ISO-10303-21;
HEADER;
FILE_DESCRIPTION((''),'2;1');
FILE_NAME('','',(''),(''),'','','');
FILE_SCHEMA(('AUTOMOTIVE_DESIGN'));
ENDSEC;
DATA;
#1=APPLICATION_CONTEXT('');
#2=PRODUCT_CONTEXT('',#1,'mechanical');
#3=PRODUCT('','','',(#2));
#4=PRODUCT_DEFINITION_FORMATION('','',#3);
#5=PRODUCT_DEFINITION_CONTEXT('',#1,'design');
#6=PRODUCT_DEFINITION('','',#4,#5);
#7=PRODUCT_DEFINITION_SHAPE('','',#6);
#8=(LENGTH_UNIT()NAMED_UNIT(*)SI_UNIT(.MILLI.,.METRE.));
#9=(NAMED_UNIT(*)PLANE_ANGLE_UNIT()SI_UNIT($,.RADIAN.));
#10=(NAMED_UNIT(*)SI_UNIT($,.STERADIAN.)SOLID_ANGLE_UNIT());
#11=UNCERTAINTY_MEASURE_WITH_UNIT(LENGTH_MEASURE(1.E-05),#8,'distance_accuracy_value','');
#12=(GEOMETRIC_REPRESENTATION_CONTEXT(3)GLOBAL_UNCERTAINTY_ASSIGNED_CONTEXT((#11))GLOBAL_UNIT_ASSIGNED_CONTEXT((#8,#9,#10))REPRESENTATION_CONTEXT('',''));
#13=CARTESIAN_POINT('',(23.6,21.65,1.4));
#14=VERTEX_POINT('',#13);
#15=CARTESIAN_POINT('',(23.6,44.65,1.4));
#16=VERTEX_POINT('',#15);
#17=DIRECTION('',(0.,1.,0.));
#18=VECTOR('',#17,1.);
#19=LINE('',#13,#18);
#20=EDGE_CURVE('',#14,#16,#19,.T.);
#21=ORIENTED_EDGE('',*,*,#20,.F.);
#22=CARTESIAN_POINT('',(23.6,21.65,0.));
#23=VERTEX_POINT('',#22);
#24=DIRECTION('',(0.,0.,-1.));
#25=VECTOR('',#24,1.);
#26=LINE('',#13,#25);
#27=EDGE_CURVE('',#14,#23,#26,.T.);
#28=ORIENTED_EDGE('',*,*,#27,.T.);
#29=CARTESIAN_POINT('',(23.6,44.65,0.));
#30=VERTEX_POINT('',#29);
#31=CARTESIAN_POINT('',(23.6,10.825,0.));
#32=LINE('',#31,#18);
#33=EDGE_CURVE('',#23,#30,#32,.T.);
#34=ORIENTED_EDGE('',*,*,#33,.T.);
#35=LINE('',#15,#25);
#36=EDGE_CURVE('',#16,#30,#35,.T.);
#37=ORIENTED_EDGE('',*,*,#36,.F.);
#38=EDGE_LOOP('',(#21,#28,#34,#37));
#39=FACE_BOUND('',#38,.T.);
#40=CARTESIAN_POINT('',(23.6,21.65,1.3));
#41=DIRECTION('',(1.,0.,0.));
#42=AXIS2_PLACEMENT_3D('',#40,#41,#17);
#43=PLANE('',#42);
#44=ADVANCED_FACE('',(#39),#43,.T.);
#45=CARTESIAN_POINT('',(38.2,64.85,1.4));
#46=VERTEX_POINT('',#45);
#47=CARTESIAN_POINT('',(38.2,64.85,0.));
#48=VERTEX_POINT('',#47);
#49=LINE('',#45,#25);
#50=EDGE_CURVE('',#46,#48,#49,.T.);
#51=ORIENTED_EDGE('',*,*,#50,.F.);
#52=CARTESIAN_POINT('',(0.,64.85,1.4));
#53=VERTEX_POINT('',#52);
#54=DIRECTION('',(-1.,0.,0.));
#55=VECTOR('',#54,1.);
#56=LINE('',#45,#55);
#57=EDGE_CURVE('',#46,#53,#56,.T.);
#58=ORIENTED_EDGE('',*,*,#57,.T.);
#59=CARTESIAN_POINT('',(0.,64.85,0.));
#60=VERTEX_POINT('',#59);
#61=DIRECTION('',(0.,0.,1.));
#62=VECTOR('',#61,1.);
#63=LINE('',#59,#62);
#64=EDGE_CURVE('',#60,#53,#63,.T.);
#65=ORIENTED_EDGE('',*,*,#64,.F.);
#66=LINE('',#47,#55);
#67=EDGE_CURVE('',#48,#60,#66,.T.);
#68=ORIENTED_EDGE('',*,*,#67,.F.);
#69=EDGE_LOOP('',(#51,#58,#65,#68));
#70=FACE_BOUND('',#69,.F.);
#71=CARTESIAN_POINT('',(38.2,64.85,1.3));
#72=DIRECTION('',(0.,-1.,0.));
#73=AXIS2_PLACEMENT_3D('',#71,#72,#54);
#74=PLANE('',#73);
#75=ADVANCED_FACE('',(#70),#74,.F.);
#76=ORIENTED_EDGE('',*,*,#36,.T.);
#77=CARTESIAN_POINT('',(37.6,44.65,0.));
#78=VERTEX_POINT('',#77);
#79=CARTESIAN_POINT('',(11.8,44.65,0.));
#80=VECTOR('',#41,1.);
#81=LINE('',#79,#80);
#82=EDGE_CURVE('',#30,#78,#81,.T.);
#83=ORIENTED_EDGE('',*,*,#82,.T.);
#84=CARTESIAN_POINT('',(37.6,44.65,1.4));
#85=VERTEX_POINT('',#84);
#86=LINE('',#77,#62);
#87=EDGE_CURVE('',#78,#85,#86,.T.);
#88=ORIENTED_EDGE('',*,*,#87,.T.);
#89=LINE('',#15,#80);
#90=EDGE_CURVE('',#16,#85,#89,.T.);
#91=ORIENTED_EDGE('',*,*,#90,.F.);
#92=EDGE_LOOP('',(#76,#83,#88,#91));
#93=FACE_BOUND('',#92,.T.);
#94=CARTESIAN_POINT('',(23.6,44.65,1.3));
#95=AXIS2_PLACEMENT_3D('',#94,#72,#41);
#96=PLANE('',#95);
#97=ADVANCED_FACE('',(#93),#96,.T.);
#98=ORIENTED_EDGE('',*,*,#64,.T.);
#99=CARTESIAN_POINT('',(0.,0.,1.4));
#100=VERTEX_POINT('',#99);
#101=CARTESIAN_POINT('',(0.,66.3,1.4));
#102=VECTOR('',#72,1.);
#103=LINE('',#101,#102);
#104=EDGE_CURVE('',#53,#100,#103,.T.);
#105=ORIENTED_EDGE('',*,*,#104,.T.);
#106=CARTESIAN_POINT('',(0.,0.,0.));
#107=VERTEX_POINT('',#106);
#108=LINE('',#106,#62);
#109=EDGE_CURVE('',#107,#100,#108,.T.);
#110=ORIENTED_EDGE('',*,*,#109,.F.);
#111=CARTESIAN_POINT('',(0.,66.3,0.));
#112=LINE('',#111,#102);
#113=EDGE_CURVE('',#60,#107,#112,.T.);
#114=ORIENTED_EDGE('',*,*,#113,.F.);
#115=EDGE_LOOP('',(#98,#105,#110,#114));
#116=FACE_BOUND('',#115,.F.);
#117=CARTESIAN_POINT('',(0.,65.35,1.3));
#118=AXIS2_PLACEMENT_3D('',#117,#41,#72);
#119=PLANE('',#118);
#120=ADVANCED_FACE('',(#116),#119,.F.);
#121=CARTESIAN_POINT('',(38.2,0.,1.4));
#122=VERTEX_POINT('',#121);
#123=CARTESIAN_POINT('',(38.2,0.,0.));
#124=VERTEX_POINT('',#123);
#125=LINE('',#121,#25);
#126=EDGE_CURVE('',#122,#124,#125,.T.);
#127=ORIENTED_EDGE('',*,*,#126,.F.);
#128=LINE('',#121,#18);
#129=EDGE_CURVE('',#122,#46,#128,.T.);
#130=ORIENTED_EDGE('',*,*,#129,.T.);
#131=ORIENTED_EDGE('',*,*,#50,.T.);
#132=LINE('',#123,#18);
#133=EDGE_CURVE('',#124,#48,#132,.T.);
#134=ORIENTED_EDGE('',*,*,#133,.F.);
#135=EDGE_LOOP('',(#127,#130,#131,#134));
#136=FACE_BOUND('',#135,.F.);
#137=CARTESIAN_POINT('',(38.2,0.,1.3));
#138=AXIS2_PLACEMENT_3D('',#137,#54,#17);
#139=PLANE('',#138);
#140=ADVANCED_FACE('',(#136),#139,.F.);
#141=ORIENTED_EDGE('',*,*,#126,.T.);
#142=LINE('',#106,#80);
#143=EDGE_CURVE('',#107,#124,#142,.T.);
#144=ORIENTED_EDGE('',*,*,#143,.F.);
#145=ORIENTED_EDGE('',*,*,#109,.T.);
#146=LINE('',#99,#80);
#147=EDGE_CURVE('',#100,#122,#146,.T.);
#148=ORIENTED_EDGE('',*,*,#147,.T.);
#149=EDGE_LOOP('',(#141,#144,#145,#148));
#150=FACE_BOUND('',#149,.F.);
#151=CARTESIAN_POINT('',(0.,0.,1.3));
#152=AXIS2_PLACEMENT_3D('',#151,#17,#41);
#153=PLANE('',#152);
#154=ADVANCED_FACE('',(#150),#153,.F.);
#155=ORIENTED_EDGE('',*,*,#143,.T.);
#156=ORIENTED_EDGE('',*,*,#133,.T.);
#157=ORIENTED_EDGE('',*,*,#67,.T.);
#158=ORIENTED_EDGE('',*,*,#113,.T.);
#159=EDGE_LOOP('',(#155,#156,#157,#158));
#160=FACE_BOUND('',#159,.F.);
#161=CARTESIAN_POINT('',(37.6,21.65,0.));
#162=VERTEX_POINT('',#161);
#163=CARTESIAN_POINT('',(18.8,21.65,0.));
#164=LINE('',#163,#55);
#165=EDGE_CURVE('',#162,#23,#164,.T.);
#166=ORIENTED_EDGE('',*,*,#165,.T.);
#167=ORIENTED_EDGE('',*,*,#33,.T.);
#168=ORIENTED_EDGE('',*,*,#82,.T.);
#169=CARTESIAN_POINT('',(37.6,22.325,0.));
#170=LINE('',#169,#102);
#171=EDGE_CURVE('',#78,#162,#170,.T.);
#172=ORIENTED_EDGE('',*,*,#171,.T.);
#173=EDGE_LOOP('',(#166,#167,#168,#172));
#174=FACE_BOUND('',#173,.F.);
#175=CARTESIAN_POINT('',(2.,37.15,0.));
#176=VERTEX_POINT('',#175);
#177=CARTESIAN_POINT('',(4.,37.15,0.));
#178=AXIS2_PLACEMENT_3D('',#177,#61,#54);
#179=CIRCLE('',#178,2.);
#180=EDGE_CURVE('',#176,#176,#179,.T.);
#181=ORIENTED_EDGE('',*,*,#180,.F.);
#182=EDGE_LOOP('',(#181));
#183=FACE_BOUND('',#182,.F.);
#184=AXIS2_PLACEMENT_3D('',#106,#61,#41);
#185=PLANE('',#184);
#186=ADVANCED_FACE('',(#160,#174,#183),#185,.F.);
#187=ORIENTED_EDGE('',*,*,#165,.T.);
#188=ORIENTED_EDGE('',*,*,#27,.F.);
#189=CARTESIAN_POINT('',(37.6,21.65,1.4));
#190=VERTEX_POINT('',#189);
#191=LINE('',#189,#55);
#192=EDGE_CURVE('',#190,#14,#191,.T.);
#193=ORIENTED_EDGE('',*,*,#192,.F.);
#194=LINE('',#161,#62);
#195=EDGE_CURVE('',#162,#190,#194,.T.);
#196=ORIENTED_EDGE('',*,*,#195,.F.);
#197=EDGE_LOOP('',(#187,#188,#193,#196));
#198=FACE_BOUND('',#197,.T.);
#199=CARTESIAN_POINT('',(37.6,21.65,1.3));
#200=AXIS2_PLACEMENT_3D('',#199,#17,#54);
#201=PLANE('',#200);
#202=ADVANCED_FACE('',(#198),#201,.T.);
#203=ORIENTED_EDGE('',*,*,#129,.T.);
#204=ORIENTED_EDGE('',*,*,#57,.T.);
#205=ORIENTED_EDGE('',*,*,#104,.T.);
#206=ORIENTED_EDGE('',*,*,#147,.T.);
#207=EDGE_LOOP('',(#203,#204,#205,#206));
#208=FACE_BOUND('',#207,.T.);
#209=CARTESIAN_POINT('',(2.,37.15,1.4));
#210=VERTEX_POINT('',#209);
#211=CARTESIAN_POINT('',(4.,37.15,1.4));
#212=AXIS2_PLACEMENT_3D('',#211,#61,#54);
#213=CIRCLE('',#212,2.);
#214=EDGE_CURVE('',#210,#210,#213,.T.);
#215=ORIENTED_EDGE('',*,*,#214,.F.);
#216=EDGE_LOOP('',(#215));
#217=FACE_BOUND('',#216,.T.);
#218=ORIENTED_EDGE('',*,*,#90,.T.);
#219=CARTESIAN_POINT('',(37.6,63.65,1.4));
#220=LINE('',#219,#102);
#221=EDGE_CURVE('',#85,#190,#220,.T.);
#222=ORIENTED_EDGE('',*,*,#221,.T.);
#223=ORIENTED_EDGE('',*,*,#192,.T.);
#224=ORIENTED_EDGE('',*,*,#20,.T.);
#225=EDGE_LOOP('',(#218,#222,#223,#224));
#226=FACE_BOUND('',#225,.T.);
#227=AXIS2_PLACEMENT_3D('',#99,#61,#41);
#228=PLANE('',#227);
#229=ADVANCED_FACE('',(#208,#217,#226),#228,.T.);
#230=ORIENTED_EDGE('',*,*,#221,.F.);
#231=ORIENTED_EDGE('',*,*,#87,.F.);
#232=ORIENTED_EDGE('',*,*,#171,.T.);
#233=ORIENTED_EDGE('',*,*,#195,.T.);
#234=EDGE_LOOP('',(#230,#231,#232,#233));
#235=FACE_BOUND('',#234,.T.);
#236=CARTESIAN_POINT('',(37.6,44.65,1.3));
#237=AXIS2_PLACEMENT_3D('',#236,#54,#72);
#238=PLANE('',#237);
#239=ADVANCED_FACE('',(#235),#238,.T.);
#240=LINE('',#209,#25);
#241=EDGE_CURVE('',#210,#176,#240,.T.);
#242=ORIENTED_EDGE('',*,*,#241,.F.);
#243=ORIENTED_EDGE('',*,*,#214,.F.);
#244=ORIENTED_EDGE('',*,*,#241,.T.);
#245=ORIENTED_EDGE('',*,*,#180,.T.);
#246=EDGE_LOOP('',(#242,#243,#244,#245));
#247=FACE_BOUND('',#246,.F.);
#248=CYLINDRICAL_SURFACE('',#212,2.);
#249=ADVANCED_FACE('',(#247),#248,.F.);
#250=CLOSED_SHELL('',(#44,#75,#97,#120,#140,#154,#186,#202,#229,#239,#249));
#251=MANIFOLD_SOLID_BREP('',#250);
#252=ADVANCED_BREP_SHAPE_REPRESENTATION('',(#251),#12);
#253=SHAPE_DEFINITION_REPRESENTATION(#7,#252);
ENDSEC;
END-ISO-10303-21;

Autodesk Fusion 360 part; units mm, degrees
sketch "Sketch1" plane through (0, 0, 0) normal (0, 0, 1) x (1, 0, 0)
  line L0 (0, 0) -> (38.2, 0)
  line L1 (38.2, 0) -> (38.2, 66.3)
  line L2 (38.2, 66.3) -> (0, 66.3)
  line L3 (0, 66.3) -> (0, 0)
  dimension "d1" = 38.2
  dimension "d2" = 66.3
extrude "Extrude1" add sketch "Sketch1" along normal blind 1.3
sketch "Sketch2" plane through (0, 0, 1.3) normal (0, 0, 1) x (-1, 0, 0)
  line L0 (0, -66.3) -> (0, 0)
  line L1 (0, 0) -> (-38.2, 0)
  line L2 (-38.2, 0) -> (-38.2, -66.3)
  line L3 (-38.2, -66.3) -> (0, -66.3)
  line L4 (-0.6, -63.65) -> (-37.6, -63.65)
  line L5 (-37.6, -63.65) -> (-37.6, -2.65)
  line L6 (-37.6, -2.65) -> (-0.6, -2.65)
  line L7 (-0.6, -2.65) -> (-0.6, -63.65)
  line L8 (-37.6, -21.65) -> (-23.6, -21.65)
  line L9 (-23.6, -21.65) -> (-23.6, -44.65)
  line L10 (-23.6, -44.65) -> (-37.6, -44.65)
  line L11 (-37.6, -44.65) -> (-37.6, -21.65)
  line L12 (-0.6, -37.15) -> (-4, -37.15) construction
  circle A0 centre (-4, -37.15) radius 1.5
  dimension "d5" = 37
  dimension "d6" = 61
  dimension "d7" = 2.65
  dimension "d8" = 0.6
  dimension "d9" = 14
  dimension "d10" = 19
  dimension "d11" = 19
  dimension "d12" = 26.5
  dimension "d13" = 3
extrude "Extrude2" cut sketch "Sketch2" against normal blind 78 contours A0
extrude "Extrude3" cut sketch "Sketch2" against normal blind 2 contours L5 L8 L9 L10 L11
extrude "Extrude4" cut 1 faces at (25.4667, 66.3, 0.4333) along direction (0, -1, 0) blind 0.95
extrude "Extrude5" add 1 faces at (20.6, 7.2167, 1.3) along direction (0, 0, 1) blind 0.1
extrude "Extrude6" cut 1 faces at (25.4667, 65.35, 0.4667) along direction (0, -1, 0) blind 0.5
sketch "Sketch3" plane through (0, 0, 1.4) normal (0, 0, 1) x (-1, 0, 0)
  line L0 (-23.6, -21.65) -> (-23.6, -44.65)
  line L1 (-23.6, -44.65) -> (-37.6, -44.65)
  line L2 (-37.6, -44.65) -> (-37.6, -21.65)
  line L3 (-37.6, -21.65) -> (-23.6, -21.65)
  circle A0 centre (-4, -37.15) radius 1.5
  line L4 (-38.2, -64.85) -> (0, -64.85)
  line L5 (0, -64.85) -> (0, 0)
  line L6 (0, 0) -> (-38.2, 0)
  line L7 (-38.2, 0) -> (-38.2, -64.85)
  circle A1 centre (-4, -37.15) radius 2
  dimension "d24" = 4
extrude "Extrude7" cut sketch "Sketch3" against normal blind 4 contours A1
equation "d18 = -2.65 mm + 1.7 mm"
